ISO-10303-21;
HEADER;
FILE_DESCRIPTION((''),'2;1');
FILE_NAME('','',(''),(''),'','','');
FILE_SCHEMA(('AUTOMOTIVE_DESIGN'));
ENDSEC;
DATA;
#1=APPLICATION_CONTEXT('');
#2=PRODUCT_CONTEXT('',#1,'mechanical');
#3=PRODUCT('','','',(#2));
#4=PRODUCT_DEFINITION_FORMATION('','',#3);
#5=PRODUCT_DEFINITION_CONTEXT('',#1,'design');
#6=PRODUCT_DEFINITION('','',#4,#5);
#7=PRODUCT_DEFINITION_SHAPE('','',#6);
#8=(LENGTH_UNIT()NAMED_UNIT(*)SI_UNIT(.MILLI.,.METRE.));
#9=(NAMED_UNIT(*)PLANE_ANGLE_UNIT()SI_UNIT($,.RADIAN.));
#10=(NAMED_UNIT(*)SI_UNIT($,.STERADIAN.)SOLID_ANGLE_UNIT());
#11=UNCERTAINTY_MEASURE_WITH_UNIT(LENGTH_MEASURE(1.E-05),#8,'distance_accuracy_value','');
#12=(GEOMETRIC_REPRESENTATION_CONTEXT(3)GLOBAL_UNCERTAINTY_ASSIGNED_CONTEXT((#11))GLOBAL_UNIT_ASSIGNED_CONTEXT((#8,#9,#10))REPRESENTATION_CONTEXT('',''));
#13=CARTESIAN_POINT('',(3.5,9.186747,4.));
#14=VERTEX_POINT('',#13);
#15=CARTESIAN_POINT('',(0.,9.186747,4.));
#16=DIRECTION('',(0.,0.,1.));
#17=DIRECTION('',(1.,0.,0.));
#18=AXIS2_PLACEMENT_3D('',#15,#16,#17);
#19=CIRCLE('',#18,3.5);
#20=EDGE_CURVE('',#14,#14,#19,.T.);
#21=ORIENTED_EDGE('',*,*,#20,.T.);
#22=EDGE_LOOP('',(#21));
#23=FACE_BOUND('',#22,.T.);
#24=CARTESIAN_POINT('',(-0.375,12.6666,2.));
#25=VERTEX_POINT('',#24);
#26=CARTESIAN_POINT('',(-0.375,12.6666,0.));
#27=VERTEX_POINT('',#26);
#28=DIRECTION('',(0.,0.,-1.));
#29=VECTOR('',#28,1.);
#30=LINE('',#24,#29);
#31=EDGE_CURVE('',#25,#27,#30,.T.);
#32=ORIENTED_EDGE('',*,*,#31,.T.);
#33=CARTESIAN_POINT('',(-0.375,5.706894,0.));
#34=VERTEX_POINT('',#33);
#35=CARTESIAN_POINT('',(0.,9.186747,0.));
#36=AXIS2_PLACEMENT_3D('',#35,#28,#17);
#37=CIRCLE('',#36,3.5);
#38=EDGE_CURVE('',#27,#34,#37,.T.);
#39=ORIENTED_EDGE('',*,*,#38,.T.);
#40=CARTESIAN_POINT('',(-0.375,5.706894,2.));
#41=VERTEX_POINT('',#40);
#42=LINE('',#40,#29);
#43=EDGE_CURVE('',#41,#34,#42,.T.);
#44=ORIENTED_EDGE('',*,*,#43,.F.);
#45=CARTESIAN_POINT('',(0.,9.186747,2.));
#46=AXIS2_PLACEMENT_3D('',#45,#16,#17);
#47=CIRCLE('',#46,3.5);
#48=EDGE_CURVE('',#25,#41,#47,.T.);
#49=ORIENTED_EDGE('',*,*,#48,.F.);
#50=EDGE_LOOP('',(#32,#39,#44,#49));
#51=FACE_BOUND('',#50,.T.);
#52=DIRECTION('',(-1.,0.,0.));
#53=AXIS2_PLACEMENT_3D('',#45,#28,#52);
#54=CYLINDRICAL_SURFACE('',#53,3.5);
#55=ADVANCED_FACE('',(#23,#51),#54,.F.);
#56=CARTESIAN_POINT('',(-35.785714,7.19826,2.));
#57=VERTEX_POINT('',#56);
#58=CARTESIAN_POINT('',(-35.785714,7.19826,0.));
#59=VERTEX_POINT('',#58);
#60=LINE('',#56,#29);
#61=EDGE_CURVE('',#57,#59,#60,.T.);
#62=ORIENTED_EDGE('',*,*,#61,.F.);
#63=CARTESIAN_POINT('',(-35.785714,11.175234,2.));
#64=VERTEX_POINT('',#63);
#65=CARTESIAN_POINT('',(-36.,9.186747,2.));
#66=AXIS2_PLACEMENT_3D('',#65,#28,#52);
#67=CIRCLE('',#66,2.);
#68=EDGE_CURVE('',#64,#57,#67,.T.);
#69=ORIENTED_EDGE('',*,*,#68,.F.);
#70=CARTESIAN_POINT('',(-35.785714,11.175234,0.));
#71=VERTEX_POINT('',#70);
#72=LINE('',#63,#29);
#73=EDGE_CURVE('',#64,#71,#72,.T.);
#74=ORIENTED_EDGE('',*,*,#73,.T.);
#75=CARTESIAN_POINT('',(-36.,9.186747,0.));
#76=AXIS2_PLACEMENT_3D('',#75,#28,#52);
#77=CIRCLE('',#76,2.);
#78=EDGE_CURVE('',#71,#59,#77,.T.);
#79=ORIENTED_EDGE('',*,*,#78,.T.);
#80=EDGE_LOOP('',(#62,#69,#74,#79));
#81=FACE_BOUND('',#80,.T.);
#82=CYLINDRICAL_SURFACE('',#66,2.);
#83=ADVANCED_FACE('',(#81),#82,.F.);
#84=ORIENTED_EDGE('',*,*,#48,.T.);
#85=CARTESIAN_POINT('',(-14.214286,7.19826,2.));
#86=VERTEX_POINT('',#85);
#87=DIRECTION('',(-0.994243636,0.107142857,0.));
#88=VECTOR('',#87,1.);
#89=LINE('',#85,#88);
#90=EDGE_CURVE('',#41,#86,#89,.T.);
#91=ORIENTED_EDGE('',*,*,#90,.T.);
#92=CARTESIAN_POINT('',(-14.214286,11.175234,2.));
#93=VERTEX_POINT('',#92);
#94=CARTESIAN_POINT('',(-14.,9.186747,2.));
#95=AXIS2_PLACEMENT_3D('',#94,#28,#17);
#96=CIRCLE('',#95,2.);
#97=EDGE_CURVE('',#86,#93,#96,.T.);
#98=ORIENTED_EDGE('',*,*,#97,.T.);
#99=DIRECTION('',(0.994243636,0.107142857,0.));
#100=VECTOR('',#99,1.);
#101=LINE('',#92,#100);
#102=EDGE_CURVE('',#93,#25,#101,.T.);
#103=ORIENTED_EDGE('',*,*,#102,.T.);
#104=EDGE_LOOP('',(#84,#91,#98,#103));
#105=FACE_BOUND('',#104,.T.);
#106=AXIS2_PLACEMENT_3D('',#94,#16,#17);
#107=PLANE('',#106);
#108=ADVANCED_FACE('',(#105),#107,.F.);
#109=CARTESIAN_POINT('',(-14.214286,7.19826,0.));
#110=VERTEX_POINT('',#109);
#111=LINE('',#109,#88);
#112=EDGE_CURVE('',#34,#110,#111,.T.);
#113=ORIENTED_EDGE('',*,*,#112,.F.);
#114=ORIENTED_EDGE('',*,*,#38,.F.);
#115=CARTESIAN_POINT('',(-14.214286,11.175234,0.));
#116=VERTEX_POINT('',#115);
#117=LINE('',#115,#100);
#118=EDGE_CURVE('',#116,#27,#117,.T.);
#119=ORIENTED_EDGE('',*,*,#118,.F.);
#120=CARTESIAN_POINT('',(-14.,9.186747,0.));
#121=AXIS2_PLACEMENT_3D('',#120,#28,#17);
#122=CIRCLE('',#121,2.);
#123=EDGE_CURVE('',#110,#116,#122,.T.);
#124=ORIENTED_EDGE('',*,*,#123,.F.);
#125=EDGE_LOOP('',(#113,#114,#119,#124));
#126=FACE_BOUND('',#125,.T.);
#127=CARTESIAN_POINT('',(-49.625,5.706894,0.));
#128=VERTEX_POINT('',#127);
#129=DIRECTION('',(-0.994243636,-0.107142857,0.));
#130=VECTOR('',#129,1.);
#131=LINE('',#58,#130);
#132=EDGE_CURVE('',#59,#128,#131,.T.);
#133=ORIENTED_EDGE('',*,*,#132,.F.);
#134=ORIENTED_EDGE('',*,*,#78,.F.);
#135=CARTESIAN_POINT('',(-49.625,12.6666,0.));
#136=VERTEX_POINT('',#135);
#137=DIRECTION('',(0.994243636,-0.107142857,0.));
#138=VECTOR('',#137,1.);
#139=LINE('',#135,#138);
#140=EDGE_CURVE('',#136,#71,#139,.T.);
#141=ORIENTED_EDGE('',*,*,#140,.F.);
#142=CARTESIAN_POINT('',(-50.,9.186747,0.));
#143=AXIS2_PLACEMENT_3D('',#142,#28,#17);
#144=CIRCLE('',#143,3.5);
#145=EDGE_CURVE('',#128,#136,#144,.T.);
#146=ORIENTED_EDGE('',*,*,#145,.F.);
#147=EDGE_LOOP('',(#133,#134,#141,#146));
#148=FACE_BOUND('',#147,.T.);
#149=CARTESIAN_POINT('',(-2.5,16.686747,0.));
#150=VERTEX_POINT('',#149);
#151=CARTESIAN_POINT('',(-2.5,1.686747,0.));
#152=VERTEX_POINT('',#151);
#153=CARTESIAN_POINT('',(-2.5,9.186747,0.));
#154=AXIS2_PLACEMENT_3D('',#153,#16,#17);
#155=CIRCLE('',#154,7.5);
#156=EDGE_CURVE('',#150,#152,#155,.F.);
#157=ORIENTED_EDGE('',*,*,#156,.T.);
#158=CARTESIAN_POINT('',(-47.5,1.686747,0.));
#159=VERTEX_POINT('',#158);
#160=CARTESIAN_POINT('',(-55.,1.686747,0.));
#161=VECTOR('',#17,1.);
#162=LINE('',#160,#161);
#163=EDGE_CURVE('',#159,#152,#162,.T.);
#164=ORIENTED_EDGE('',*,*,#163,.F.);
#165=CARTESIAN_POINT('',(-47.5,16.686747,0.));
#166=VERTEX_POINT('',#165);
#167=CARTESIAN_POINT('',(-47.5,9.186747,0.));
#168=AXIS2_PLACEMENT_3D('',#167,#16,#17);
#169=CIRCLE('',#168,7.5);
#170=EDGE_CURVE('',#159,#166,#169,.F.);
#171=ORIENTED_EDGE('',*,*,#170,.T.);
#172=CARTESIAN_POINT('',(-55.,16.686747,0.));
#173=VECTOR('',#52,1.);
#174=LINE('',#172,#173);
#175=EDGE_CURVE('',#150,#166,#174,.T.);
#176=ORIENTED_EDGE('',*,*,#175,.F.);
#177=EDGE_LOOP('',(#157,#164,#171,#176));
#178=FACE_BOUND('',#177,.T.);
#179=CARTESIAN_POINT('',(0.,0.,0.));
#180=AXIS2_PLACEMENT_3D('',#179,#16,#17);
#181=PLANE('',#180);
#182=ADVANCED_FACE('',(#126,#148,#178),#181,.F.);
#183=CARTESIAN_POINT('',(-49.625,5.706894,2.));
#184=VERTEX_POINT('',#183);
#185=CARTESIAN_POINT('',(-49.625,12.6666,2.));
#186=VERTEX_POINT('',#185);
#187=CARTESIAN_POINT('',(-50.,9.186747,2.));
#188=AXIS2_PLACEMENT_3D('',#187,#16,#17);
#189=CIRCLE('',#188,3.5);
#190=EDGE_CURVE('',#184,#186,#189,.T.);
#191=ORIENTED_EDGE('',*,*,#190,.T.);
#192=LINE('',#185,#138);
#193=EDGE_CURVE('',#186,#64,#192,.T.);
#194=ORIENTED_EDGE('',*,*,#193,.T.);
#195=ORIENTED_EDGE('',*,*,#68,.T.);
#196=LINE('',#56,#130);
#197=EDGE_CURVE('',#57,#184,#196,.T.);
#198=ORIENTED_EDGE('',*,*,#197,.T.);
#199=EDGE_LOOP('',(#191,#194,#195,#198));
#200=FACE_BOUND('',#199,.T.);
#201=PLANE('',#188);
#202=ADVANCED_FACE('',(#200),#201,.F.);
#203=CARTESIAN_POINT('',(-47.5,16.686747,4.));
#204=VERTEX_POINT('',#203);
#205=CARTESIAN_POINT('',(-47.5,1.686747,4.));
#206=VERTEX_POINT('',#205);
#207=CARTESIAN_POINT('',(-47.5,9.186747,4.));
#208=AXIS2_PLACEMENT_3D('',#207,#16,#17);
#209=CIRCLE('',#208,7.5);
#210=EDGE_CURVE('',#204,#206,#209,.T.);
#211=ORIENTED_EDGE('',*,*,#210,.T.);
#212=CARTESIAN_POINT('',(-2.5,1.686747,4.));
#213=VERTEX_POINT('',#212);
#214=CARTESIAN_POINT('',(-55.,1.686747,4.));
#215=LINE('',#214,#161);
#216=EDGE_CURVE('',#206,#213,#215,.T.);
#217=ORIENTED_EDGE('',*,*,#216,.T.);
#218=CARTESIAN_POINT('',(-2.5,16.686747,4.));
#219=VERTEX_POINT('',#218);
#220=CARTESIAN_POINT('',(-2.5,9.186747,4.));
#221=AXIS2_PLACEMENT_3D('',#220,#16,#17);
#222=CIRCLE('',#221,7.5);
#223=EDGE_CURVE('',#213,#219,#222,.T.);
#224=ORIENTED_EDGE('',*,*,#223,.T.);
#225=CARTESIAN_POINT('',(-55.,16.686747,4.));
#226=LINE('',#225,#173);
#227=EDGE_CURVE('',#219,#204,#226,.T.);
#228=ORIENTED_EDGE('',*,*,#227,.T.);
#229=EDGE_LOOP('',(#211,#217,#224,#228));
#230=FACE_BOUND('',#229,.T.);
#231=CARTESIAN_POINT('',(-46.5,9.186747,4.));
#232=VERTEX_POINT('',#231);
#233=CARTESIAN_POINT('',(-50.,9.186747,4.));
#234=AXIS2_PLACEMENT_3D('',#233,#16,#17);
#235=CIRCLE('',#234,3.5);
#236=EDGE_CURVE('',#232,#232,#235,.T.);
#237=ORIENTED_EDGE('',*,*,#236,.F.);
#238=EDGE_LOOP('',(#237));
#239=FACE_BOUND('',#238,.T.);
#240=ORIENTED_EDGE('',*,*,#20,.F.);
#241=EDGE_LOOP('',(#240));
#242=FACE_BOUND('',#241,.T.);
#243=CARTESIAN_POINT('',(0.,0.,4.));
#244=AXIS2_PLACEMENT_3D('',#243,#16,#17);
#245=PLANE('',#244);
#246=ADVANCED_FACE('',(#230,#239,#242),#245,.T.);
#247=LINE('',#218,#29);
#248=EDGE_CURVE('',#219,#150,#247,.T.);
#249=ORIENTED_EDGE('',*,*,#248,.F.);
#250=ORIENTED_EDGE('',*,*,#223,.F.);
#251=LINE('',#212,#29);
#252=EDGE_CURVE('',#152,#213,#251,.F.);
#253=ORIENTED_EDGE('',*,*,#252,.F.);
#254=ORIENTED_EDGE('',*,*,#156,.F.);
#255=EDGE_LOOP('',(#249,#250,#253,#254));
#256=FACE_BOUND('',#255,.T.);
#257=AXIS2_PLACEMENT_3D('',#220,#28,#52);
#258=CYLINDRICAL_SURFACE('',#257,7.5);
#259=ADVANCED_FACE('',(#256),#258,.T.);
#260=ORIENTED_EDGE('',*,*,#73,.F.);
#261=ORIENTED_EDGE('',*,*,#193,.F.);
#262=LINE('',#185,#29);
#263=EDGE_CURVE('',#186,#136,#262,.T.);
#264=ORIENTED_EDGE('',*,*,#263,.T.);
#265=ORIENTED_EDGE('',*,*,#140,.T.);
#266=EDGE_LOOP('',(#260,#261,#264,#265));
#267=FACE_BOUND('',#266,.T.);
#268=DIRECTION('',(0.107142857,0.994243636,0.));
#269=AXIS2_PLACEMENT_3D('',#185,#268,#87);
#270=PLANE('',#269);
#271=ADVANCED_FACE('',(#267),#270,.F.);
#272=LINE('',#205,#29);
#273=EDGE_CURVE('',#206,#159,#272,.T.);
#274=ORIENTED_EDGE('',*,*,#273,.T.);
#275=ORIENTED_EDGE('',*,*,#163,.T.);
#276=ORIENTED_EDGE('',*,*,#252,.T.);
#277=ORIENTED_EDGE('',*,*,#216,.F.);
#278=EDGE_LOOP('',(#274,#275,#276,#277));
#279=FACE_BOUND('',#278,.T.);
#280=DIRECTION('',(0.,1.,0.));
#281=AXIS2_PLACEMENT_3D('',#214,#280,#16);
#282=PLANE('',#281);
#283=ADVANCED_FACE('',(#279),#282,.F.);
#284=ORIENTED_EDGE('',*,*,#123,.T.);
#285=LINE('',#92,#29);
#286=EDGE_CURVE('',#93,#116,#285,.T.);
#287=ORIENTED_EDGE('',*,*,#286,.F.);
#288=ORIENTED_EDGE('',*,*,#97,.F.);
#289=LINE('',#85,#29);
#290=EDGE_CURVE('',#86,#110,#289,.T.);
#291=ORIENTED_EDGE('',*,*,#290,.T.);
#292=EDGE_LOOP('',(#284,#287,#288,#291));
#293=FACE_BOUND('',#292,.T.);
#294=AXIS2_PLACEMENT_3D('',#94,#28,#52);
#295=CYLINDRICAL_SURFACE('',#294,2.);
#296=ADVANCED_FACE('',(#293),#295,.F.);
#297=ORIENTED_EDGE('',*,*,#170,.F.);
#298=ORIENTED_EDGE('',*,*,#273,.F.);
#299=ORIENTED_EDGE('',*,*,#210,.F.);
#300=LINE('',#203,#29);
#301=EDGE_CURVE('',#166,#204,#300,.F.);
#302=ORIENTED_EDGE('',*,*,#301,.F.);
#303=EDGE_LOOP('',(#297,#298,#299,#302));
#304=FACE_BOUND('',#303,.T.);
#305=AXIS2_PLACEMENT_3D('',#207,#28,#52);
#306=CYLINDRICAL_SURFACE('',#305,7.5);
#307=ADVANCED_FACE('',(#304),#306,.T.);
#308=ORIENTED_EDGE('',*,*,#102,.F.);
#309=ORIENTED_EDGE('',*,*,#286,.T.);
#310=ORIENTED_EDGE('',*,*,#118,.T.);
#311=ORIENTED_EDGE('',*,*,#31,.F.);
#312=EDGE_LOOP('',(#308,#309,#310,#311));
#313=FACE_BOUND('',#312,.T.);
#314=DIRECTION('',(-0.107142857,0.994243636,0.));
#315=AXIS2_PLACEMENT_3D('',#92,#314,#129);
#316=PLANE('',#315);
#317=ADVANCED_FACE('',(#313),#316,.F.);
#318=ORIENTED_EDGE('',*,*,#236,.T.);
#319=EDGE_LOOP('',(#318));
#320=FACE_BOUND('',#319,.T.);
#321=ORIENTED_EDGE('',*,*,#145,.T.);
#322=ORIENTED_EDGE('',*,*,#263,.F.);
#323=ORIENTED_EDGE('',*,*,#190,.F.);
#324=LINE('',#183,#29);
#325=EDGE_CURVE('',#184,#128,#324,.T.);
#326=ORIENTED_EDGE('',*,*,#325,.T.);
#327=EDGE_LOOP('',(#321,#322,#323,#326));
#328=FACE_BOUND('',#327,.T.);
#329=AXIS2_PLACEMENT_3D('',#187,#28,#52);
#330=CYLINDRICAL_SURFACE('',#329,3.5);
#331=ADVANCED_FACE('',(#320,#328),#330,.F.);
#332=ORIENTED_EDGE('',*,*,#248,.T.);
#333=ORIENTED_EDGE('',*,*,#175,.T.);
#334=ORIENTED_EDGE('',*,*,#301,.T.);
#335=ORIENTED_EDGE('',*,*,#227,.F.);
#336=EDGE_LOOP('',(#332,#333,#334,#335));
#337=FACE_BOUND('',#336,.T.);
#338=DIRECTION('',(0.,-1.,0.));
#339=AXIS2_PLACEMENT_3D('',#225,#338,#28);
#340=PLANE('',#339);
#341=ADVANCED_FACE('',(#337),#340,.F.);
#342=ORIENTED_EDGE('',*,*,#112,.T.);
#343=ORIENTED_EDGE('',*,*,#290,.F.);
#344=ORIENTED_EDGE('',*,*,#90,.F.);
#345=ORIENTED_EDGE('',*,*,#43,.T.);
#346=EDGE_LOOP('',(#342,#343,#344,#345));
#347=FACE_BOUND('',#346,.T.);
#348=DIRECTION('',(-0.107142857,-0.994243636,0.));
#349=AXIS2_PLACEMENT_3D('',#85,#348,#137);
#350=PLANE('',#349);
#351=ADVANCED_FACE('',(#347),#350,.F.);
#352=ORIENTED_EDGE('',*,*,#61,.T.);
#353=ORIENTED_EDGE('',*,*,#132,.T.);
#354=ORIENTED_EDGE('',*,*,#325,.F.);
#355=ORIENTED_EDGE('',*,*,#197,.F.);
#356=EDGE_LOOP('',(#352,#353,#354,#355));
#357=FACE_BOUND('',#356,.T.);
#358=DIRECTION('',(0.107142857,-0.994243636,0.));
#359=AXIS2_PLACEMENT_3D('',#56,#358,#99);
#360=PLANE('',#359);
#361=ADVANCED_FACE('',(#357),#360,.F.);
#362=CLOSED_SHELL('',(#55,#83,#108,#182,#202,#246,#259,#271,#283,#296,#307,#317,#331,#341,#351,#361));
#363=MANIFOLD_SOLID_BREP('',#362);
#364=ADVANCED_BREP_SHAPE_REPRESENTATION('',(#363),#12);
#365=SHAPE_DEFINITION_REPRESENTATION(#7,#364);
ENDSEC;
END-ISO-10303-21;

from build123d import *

# Parameters (mm, degrees)
SKETCH1_W           = 60
SKETCH1_H           = 15
SKETCH1_R           = 1
BOSS_EXTRUDE1_DEPTH = 4
FILLET1_RADIUS      = 7.5
FILLET1_LENGTH      = 4
FILLET2_RADIUS      = 7.5
FILLET2_LENGTH      = 4
CUT_EXTRUDE1_DEPTH  = 2
SKETCH4_R           = 3.5
CUT_EXTRUDE2_DEPTH  = 6
CUT_EXTRUDE3_DEPTH  = 2
SKETCH6_R           = 3.5
CUT_EXTRUDE4_DEPTH  = 6


with BuildPart() as part:
    # Sketch1 → Boss-Extrude1 (new body)
    with BuildSketch(Plane.XY):
        with Locations((-25, 9.186746988)):
            Rectangle(SKETCH1_W, SKETCH1_H)
        with Locations((-50, 9.186746988)):
            Circle(SKETCH1_R, mode=Mode.SUBTRACT)
        with Locations((0, 9.186746988)):
            Circle(SKETCH1_R, mode=Mode.SUBTRACT)
    extrude(amount=BOSS_EXTRUDE1_DEPTH)

    # Fillet1: full round fillet: the end face becomes a half cylinder, R = half its width
    fillet1_face = Plane((5, 9.186746988, 2), x_dir=(0, 0, -1), z_dir=(1, 0, 0))  # on the end face: x along it, z out of the body
    fillet1_slab = fillet1_face.offset(-FILLET1_RADIUS / 2) * Box(FILLET1_LENGTH, 2 * FILLET1_RADIUS, FILLET1_RADIUS, mode=Mode.PRIVATE)  # the body's end, R deep
    fillet1_round = Plane((-2.5, 9.186746988, 2), x_dir=(1, 0, 0), z_dir=(0, 0, -1)) * Cylinder(FILLET1_RADIUS, FILLET1_LENGTH, mode=Mode.PRIVATE)  # its axis R under the face
    add(fillet1_slab - fillet1_round, mode=Mode.SUBTRACT)

    # Fillet2: full round fillet: the end face becomes a half cylinder, R = half its width
    fillet2_face = Plane((-55, 9.186746988, 2), x_dir=(0, 0, 1), z_dir=(-1, 0, 0))  # on the end face: x along it, z out of the body
    fillet2_slab = fillet2_face.offset(-FILLET2_RADIUS / 2) * Box(FILLET2_LENGTH, 2 * FILLET2_RADIUS, FILLET2_RADIUS, mode=Mode.PRIVATE)  # the body's end, R deep
    fillet2_round = Plane((-47.5, 9.186746988, 2), x_dir=(-1, 0, 0), z_dir=(0, 0, 1)) * Cylinder(FILLET2_RADIUS, FILLET2_LENGTH, mode=Mode.PRIVATE)  # its axis R under the face
    add(fillet2_slab - fillet2_round, mode=Mode.SUBTRACT)

    # Sketch3 → Cut-Extrude1 (cut)
    with BuildSketch(Plane(origin=(0, 0, 0), x_dir=(-1, 0, 0), z_dir=(0, 0, -1))):
        with BuildLine():
            Line((14.214285714, 11.17523426), (0.375, 12.666599715))
            ThreePointArc((0.375, 12.666599715), (-3.5, 9.186746988), (0.375, 5.706894261))
            Line((0.375, 5.706894261), (14.214285714, 7.198259716))
            ThreePointArc((14.214285714, 7.198259716), (16, 9.186746988), (14.214285714, 11.17523426))
        make_face()
    extrude(amount=-CUT_EXTRUDE1_DEPTH, mode=Mode.SUBTRACT)

    # Sketch4 → Cut-Extrude2 (cut)
    with BuildSketch(Plane(origin=(0, 0, 2), x_dir=(-1, 0, 0), z_dir=(0, 0, -1))):
        with Locations(Location((0, 9.186746988, 0), (0, 0, 276.150639828))):
            Circle(SKETCH4_R)
    extrude(amount=-CUT_EXTRUDE2_DEPTH, mode=Mode.SUBTRACT)

    # Sketch5 → Cut-Extrude3 (cut)
    with BuildSketch(Plane(origin=(0, 0, 0), x_dir=(-1, 0, 0), z_dir=(0, 0, -1))):
        with BuildLine():
            Line((49.625, 12.666599715), (35.785714286, 11.17523426))
            ThreePointArc((35.785714286, 11.17523426), (34, 9.186746988), (35.785714286, 7.198259716))
            Line((35.785714286, 7.198259716), (49.625, 5.706894261))
            ThreePointArc((49.625, 5.706894261), (53.5, 9.186746988), (49.625, 12.666599715))
        make_face()
    extrude(amount=-CUT_EXTRUDE3_DEPTH, mode=Mode.SUBTRACT)

    # Sketch6 → Cut-Extrude4 (cut)
    with BuildSketch(Plane(origin=(0, 0, 0), x_dir=(-1, 0, 0), z_dir=(0, 0, -1))):
        with Locations(Location((50, 9.186746988, 0), (0, 0, 96.150639828))):
            Circle(SKETCH6_R)
    extrude(amount=-CUT_EXTRUDE4_DEPTH, mode=Mode.SUBTRACT)


solid = part.part
